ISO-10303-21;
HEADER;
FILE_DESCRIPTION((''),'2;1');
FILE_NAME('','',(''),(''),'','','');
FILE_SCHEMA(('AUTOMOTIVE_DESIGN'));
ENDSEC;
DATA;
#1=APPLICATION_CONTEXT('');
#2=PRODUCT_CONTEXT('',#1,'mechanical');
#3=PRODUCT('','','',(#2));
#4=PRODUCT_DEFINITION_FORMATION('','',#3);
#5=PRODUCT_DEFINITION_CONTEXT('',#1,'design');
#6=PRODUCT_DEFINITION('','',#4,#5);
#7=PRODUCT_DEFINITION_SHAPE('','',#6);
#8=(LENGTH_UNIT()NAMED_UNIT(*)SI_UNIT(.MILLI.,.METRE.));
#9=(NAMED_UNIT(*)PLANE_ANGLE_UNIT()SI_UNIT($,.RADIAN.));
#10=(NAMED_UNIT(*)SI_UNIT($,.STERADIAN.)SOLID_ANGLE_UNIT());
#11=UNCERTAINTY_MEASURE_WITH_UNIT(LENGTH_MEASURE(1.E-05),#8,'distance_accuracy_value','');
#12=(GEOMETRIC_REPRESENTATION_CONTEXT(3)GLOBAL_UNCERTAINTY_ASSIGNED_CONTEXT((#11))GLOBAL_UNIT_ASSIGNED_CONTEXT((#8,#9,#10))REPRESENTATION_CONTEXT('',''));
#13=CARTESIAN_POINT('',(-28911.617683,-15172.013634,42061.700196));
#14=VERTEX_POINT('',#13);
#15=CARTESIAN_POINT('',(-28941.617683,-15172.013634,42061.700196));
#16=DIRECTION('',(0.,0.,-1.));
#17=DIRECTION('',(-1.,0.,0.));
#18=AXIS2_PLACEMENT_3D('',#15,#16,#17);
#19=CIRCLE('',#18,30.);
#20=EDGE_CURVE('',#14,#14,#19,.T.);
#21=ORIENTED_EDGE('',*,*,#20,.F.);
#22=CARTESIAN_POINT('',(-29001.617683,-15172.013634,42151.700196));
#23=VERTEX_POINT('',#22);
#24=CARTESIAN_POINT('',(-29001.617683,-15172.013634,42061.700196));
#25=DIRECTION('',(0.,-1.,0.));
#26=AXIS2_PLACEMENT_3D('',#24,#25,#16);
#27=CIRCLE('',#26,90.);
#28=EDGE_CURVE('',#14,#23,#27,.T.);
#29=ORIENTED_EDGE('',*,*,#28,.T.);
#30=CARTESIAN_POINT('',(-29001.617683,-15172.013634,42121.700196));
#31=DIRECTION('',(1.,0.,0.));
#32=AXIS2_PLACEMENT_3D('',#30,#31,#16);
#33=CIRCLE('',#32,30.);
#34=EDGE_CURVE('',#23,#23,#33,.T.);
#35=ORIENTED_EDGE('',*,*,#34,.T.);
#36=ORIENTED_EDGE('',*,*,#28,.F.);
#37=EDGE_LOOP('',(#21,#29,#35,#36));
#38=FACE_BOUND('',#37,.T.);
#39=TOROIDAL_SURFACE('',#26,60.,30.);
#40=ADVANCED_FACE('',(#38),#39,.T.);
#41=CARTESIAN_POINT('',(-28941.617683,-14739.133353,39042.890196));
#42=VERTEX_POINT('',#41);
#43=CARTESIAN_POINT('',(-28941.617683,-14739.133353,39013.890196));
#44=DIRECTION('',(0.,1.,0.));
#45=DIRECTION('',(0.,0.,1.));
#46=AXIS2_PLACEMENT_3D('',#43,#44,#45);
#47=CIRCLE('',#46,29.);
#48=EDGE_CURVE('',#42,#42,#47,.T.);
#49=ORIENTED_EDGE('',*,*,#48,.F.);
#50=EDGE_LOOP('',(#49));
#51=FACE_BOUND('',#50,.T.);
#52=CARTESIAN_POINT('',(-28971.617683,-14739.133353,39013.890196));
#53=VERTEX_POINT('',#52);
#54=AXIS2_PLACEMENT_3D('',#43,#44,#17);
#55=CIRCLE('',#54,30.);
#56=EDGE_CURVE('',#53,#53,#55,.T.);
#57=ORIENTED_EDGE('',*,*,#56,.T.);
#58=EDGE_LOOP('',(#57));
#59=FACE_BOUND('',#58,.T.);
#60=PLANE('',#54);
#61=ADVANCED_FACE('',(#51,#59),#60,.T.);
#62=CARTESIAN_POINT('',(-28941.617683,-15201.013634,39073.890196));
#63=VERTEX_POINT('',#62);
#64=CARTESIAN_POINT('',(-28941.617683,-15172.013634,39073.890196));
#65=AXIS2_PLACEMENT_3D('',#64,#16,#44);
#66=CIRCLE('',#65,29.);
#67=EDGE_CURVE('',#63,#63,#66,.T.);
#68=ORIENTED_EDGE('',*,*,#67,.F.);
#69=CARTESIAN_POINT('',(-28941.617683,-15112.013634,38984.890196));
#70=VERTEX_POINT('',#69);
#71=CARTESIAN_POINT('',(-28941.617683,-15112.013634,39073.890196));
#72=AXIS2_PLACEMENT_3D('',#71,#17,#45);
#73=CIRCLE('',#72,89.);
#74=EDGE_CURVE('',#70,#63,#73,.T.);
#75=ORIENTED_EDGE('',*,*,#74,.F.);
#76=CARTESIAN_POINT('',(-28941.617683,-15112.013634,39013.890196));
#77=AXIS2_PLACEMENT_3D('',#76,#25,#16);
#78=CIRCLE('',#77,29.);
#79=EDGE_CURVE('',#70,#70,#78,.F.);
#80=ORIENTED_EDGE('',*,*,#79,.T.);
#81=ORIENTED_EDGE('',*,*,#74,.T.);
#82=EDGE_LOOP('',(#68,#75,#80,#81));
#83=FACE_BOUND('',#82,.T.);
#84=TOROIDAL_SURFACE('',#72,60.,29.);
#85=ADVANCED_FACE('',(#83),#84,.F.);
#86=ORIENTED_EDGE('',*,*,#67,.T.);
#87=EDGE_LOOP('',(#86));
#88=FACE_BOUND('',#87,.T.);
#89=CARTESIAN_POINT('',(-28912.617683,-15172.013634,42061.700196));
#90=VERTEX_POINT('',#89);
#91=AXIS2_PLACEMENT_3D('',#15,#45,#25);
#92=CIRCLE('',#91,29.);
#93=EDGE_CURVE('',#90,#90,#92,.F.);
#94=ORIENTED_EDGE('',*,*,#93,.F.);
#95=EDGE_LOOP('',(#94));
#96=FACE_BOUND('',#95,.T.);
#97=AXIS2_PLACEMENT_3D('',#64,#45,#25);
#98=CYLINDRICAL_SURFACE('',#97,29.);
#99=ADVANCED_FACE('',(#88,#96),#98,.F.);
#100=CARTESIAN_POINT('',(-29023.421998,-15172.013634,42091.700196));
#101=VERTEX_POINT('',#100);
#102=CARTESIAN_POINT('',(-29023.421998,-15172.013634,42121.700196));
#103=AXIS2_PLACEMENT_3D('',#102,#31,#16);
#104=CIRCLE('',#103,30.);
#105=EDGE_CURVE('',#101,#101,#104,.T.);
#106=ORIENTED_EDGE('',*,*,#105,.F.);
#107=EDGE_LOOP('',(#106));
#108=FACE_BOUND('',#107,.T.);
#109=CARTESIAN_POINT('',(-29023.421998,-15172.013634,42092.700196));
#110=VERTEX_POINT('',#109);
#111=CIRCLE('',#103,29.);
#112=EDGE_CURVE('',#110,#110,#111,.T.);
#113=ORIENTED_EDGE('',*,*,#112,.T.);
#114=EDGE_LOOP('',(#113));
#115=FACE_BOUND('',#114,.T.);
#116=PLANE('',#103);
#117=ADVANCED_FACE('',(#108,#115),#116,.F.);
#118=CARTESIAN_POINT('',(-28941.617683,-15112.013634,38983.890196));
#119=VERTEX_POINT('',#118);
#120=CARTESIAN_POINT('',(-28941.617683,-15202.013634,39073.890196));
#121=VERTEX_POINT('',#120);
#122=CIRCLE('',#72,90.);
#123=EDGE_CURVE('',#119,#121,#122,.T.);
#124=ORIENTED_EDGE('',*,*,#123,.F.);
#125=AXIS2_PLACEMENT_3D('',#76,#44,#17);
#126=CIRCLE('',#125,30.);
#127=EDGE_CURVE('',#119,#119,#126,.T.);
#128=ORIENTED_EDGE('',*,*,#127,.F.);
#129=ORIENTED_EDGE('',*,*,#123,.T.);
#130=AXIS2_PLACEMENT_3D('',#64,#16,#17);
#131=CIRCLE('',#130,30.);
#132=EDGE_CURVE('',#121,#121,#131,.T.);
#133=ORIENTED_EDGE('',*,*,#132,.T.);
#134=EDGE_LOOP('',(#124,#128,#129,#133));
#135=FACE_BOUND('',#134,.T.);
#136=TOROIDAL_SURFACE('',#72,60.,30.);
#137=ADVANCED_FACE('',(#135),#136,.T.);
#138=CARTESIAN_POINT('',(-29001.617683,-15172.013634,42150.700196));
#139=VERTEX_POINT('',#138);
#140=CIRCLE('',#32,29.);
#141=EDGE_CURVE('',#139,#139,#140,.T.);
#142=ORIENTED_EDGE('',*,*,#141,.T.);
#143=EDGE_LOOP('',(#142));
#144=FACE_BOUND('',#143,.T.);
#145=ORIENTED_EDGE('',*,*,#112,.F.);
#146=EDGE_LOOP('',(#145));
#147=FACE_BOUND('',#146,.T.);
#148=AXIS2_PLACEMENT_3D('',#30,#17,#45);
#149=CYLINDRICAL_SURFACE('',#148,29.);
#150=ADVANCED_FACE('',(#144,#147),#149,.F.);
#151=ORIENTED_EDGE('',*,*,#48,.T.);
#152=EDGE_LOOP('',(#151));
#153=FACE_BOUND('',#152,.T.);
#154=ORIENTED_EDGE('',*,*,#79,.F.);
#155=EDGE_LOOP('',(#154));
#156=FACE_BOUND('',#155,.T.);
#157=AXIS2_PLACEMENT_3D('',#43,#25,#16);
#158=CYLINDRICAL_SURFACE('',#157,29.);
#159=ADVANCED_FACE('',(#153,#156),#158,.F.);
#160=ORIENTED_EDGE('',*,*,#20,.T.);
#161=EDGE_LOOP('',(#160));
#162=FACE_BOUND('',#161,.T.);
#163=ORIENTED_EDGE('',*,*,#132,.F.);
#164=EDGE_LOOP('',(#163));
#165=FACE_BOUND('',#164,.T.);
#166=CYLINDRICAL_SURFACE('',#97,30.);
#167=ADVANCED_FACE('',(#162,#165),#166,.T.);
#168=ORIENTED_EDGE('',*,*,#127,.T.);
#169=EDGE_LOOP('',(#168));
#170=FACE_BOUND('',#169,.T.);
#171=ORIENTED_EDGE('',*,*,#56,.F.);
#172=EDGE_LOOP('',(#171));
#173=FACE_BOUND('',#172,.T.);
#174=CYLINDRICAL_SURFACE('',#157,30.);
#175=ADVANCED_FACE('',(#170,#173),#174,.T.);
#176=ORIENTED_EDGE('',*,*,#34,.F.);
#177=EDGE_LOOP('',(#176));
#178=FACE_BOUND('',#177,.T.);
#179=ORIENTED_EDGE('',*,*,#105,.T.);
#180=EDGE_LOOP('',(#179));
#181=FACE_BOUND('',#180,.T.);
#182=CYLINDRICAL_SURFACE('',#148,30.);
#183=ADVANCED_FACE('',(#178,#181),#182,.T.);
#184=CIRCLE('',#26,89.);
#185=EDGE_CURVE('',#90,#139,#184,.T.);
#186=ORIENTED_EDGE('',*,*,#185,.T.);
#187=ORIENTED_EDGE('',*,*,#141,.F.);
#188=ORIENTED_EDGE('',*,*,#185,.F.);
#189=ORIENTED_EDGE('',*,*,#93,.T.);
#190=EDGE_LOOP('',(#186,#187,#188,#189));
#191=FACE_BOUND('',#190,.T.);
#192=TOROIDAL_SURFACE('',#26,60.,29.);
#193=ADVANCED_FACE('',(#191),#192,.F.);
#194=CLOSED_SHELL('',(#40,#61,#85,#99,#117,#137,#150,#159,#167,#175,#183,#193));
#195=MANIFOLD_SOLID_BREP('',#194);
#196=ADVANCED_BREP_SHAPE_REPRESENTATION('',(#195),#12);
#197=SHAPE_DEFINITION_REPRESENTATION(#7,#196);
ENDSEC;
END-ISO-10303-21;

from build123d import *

# Parameters (mm, degrees)
SWEEP_THIN1_PROFILE_R   = 30
SWEEP_THIN1_PROFILE_R_2 = 29


with BuildPart() as part:
    # Sweep-Thin1: sweep along a curve in space
    with BuildLine() as sweep_thin1_path:
        Line((-28941.617683291, -14739.133353414, 39013.890196057), (-28941.617683291, -15112.013633935, 39013.890196057))
        ThreePointArc((-28941.617683291, -15172.013633935, 39073.890196057), (-28941.617683291, -15154.440040806, 39031.463789186), (-28941.617683291, -15112.013633935, 39013.890196057))
        Line((-28941.617683291, -15172.013633935, 39073.890196057), (-28941.617683291, -15172.013633935, 42061.700196057))
        ThreePointArc((-28941.617683291, -15172.013633935, 42061.700196057), (-28959.19127642, -15172.013633935, 42104.126602928), (-29001.617683291, -15172.013633935, 42121.700196057))
        Line((-29001.617683291, -15172.013633935, 42121.700196057), (-29023.421998341, -15172.013633935, 42121.700196057))
    # Sweep-Thin1 profile (on start of the path) → Sweep-Thin1 (sweep)
    with BuildSketch(Plane(origin=(-28941.617683291, -14739.133353414, 39013.890196057), x_dir=(0, 0, -1), z_dir=(0, -1, 0))):
        Circle(SWEEP_THIN1_PROFILE_R)
        Circle(SWEEP_THIN1_PROFILE_R_2, mode=Mode.SUBTRACT)
    sweep(path=sweep_thin1_path.line)


solid = part.part
